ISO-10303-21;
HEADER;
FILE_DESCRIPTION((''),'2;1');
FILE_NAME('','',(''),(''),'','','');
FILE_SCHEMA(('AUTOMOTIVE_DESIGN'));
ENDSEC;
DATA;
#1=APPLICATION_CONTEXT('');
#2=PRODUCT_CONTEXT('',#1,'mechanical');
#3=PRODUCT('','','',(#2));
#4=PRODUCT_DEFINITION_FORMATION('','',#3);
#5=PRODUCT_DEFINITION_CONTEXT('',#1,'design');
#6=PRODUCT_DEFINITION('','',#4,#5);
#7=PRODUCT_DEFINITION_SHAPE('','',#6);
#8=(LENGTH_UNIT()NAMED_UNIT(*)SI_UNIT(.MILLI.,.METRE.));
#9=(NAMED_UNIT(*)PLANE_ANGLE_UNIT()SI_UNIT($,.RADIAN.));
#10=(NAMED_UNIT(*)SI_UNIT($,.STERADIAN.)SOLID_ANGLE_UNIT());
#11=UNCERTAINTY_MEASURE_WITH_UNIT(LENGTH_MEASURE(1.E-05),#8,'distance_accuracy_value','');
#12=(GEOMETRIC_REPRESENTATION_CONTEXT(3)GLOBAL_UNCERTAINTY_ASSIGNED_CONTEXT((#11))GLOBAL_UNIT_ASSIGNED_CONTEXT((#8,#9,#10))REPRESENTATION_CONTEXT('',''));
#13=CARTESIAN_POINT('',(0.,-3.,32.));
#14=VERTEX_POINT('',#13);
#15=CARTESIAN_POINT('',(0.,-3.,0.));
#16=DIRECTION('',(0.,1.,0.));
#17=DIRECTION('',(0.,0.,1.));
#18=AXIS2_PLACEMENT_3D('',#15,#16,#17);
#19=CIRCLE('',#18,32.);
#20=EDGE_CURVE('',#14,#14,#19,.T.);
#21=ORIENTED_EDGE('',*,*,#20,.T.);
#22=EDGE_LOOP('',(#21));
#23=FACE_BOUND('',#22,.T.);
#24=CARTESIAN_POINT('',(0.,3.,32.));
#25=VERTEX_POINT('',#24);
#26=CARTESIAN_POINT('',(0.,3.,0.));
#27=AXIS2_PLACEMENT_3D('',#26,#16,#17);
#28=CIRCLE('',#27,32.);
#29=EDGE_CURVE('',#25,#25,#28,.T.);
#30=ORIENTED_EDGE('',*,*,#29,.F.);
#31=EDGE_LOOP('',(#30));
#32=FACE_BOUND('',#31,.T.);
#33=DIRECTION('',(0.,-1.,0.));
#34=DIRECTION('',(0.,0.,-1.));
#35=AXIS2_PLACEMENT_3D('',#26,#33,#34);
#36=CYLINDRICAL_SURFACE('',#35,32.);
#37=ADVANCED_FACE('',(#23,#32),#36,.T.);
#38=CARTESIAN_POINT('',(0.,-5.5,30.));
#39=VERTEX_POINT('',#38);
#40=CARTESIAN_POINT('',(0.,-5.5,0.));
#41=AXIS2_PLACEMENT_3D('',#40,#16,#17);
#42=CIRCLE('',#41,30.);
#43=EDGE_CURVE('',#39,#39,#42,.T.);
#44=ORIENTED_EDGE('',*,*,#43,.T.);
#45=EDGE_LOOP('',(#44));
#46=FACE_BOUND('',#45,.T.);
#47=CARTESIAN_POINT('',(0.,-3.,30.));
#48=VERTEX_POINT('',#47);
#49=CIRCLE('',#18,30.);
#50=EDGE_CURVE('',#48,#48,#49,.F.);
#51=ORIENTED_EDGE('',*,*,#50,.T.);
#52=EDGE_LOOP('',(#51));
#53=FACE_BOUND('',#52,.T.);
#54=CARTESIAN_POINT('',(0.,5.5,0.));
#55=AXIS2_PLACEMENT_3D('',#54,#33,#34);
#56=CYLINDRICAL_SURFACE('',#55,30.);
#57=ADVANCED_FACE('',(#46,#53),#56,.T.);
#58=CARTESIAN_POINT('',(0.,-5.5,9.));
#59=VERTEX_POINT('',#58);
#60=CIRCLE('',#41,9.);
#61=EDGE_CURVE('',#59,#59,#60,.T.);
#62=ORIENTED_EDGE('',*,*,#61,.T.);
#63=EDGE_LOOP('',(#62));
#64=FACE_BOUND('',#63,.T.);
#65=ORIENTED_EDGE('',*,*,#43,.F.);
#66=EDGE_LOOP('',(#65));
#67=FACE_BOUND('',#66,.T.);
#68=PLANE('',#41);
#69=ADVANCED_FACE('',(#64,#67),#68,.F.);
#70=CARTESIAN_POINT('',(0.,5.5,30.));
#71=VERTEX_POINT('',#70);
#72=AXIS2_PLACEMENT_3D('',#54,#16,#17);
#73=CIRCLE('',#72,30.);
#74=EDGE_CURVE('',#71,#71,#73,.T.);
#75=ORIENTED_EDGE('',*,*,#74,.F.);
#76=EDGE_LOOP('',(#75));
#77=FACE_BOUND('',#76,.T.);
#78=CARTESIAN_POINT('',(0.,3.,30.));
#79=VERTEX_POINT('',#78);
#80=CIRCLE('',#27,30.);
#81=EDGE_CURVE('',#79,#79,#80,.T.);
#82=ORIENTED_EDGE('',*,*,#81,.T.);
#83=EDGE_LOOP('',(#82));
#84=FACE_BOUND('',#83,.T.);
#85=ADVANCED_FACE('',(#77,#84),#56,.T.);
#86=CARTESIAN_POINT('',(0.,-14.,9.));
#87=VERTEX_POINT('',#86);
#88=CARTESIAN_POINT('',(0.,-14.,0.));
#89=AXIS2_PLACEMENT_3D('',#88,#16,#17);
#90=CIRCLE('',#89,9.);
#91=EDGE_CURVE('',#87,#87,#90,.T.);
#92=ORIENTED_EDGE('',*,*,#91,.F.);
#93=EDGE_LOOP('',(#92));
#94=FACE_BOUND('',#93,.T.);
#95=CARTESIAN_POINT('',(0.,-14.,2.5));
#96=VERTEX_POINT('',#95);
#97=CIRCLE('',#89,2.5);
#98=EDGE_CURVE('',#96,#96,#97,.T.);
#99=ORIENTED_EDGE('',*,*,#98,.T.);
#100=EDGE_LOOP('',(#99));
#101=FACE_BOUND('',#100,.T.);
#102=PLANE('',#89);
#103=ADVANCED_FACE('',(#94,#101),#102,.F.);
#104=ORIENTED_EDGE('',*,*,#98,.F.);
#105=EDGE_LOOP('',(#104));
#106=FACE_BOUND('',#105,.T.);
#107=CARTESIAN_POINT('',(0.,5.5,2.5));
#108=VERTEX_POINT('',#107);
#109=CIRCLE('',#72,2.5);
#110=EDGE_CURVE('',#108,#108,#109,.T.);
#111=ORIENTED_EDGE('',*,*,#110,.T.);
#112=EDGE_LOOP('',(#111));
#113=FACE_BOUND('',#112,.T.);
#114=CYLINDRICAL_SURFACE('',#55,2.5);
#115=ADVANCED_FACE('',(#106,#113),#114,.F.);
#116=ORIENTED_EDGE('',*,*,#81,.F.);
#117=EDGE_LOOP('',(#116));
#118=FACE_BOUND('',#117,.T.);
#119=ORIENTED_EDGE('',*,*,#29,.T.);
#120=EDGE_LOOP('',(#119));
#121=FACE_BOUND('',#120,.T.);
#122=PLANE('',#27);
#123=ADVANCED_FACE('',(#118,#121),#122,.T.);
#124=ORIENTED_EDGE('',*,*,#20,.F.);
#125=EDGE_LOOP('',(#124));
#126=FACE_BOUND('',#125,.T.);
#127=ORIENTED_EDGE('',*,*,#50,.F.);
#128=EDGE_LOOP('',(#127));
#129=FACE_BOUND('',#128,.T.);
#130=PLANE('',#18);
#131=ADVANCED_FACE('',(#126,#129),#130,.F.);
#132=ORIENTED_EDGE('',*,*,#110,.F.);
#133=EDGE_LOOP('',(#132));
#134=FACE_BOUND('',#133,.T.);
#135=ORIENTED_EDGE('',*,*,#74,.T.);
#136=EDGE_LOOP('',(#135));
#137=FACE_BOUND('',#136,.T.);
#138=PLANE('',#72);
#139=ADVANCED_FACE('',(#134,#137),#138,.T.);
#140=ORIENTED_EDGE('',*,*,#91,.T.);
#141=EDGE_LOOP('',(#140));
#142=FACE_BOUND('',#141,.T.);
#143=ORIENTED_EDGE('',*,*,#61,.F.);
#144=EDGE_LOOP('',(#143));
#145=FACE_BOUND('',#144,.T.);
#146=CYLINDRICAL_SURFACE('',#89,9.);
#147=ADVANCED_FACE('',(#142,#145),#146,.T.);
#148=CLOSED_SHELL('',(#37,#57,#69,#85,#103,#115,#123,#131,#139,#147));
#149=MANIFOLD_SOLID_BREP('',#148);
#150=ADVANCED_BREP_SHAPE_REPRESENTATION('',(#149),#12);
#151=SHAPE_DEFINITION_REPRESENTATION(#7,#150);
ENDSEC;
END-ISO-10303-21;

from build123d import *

# Parameters (mm, degrees)
SKETCH_1_R      = 32
SKETCH_1_R_2    = 30
EXTRUDE_1_DEPTH = 3
SKETCH_1_3_R    = 30
SKETCH_1_3_R_2  = 9
EXTRUDE_2_DEPTH = 5.5
SKETCH_1_5_R    = 9
SKETCH_1_5_R_2  = 2.5
EXTRUDE_3_DEPTH = 5.5
EXTRUDE_START   = -14
SKETCH_1_6_R    = 9
SKETCH_1_6_R_2  = 2.5
EXTRUDE_4_DEPTH = 14


with BuildPart() as part:
    # 草图1 → 凸台-拉伸1 (new, symmetric)
    with BuildSketch(Plane(origin=(0, 0, 0), x_dir=(1, 0, 0), z_dir=(0, 1, 0))):
        Circle(SKETCH_1_R)
        Circle(SKETCH_1_R_2, mode=Mode.SUBTRACT)
    extrude(amount=EXTRUDE_1_DEPTH, both=True)

    # 草图1<3> → 凸台-拉伸2 (add, symmetric)
    with BuildSketch(Plane(origin=(0, 0, 0), x_dir=(1, 0, 0), z_dir=(0, 1, 0))):
        Circle(SKETCH_1_3_R)
        Circle(SKETCH_1_3_R_2, mode=Mode.SUBTRACT)
    extrude(amount=EXTRUDE_2_DEPTH, both=True)

    # 草图1<5> → 凸台-拉伸3 (add)
    with BuildSketch(Plane(origin=(0, 0, 0), x_dir=(1, 0, 0), z_dir=(0, 1, 0))):
        Circle(SKETCH_1_5_R)
        Circle(SKETCH_1_5_R_2, mode=Mode.SUBTRACT)
    extrude(amount=EXTRUDE_3_DEPTH)

    # 草图1<6> → 凸台-拉伸4 (add)
    with BuildSketch(Plane(origin=(0, 0, 0), x_dir=(1, 0, 0), z_dir=(0, 1, 0)).offset(EXTRUDE_START)):
        Circle(SKETCH_1_6_R)
        Circle(SKETCH_1_6_R_2, mode=Mode.SUBTRACT)
    extrude(amount=EXTRUDE_4_DEPTH)


solid = part.part
